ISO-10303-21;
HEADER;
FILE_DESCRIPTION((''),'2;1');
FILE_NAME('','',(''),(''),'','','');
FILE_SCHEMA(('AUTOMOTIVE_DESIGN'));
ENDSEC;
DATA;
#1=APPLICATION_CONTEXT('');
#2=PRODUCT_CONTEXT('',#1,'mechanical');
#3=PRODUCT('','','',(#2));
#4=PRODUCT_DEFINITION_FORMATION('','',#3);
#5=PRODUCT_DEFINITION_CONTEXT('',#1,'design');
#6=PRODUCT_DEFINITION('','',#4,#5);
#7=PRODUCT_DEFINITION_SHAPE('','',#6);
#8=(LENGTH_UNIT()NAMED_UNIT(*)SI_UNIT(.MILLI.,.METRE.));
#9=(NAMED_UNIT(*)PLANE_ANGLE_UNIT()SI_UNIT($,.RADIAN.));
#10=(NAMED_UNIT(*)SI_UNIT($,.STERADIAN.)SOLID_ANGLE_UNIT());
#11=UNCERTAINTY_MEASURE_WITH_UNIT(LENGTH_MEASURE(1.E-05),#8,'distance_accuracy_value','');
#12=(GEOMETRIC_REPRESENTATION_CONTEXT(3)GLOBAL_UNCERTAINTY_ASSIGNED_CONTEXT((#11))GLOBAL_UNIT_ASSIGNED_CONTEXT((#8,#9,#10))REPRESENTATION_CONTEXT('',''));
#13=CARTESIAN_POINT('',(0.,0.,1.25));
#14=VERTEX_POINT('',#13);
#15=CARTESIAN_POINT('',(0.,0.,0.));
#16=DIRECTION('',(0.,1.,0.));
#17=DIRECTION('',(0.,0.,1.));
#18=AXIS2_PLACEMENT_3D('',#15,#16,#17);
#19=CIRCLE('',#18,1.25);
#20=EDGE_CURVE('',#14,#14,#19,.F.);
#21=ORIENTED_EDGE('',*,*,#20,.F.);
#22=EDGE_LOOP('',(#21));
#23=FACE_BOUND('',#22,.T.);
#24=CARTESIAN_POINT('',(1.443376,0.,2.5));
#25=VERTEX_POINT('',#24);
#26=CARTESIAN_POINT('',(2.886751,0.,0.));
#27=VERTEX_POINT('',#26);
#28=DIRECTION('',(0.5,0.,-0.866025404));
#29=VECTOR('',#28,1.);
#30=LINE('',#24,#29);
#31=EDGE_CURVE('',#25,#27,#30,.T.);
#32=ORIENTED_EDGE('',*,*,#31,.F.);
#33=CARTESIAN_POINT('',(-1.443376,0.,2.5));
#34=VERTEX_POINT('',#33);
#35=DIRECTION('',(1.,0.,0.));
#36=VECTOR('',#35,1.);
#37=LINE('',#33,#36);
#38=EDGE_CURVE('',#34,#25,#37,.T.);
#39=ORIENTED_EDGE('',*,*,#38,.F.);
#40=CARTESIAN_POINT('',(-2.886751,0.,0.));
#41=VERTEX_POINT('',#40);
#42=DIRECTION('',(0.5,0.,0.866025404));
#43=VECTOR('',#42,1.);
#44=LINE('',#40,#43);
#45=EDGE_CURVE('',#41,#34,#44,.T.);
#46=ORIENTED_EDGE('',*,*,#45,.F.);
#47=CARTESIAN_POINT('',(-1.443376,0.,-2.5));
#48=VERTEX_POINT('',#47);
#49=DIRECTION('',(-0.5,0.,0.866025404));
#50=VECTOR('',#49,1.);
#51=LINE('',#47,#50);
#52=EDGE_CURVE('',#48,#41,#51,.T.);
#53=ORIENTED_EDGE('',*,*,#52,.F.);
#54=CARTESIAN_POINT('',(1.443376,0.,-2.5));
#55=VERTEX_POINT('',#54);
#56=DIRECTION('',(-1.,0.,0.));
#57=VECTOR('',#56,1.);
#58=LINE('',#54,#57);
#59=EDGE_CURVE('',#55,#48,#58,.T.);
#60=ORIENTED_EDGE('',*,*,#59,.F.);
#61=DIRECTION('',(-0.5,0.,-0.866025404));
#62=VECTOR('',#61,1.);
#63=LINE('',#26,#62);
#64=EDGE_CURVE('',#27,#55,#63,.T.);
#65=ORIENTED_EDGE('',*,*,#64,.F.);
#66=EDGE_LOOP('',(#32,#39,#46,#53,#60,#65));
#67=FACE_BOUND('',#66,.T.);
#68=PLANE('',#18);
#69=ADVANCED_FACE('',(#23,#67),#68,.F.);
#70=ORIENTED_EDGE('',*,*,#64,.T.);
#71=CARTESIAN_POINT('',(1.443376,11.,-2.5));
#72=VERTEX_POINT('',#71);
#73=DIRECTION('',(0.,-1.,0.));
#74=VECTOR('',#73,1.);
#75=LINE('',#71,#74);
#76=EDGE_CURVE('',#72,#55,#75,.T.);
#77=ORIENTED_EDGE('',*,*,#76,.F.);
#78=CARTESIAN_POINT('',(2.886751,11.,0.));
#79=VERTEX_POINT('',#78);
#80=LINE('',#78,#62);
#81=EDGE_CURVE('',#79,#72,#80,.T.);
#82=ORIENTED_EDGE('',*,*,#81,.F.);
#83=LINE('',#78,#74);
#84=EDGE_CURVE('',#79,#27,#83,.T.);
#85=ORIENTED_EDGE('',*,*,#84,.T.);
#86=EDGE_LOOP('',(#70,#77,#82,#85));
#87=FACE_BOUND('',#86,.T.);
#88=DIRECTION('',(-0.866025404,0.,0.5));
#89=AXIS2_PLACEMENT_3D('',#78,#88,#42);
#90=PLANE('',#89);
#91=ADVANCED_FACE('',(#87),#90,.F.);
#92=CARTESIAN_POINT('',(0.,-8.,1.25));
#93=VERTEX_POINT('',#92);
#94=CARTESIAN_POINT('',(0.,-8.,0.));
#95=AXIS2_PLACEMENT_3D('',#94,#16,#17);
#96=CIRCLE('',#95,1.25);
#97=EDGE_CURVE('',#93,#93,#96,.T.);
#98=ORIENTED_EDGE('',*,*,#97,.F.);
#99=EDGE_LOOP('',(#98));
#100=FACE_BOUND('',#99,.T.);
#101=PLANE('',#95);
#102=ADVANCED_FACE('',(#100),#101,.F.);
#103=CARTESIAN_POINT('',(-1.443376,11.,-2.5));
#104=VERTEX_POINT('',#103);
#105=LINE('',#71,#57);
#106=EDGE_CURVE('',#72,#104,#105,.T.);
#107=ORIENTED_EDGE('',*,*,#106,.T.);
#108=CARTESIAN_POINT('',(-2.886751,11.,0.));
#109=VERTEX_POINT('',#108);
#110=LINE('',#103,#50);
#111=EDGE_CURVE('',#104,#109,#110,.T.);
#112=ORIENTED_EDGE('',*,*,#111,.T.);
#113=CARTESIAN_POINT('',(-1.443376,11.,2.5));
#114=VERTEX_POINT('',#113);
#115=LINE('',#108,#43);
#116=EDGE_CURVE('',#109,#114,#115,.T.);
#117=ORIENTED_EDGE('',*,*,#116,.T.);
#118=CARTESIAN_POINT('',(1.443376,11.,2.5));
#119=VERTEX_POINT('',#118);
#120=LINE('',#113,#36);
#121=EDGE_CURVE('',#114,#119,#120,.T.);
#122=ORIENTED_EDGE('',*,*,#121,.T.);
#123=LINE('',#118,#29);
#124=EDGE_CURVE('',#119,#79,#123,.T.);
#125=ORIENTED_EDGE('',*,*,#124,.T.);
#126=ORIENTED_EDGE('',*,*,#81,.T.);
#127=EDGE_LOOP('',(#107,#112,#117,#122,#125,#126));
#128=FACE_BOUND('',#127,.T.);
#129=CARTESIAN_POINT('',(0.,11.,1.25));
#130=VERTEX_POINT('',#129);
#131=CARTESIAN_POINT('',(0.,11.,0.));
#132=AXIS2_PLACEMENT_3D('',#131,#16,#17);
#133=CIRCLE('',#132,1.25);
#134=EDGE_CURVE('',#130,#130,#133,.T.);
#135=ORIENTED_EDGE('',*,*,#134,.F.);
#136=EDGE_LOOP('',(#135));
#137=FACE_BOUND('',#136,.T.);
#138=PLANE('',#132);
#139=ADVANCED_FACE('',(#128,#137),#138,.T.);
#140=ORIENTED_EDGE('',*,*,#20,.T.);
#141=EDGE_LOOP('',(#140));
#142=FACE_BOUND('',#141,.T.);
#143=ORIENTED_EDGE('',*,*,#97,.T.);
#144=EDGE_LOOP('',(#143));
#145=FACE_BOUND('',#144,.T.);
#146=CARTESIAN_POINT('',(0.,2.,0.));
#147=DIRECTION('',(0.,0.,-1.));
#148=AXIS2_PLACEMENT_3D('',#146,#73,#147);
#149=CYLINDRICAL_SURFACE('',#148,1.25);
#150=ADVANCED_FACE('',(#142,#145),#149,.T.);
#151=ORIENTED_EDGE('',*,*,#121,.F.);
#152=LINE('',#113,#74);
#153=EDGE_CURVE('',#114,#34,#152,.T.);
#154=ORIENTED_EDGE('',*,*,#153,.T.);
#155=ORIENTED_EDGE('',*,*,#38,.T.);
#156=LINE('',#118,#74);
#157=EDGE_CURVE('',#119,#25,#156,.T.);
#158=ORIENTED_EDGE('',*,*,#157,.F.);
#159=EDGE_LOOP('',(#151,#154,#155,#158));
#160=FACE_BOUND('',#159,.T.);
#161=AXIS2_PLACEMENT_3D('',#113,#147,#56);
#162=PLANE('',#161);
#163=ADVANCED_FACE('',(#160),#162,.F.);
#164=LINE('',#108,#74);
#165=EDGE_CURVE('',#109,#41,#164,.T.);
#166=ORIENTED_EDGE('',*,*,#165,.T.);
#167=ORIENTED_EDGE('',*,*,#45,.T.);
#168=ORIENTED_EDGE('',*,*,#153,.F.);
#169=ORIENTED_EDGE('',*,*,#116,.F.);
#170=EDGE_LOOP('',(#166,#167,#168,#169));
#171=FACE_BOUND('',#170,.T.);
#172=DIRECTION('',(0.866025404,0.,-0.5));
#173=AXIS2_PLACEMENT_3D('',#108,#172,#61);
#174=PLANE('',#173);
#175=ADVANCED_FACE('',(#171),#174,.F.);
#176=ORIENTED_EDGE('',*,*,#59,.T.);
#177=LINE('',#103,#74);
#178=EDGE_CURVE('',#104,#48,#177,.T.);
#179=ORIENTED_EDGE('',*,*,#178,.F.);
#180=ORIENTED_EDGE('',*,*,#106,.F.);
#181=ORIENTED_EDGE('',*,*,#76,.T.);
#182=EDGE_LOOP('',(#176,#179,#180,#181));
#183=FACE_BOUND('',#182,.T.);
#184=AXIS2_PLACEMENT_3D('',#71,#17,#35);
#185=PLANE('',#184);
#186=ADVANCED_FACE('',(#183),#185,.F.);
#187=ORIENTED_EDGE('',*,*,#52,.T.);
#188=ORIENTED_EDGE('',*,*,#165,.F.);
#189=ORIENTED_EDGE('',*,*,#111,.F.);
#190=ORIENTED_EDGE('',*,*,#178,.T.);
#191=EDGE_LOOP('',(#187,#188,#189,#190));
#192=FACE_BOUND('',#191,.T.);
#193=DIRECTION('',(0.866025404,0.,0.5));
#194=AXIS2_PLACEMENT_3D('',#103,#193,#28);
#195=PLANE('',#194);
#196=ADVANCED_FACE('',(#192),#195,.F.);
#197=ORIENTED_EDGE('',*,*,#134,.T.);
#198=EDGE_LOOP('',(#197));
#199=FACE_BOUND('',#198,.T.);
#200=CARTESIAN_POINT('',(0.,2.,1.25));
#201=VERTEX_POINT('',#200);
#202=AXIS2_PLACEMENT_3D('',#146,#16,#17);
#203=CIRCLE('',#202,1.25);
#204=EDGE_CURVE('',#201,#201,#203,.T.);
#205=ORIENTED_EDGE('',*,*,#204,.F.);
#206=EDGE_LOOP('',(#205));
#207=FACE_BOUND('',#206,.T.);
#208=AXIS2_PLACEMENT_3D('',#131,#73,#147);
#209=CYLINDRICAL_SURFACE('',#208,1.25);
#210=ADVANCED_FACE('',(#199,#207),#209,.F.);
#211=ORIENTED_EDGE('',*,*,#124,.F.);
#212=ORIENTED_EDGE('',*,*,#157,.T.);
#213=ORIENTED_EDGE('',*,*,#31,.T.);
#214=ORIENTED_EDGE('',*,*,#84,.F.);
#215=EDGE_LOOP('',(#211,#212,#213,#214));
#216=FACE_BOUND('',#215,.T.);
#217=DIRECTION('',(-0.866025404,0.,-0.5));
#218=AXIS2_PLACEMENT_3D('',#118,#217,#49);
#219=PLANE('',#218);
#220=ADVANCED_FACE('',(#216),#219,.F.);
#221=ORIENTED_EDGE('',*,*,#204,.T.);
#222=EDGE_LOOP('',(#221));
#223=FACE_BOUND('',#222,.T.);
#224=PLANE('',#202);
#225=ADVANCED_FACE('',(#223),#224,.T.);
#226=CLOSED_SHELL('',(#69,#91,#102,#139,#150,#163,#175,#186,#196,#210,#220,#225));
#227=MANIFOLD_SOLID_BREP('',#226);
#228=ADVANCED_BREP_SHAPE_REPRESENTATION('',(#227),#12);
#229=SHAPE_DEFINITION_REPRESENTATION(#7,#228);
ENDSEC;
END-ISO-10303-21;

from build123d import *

# Parameters (mm, degrees)
SKETCH1_R                = 1.25
BOSS_EXTRUDE1_DEPTH      = 11
BOSS_EXTRUDE2_DEPTH      = 2
BOSS_EXTRUDE2_DEPTH_BACK = 8
SKETCH1_2_R              = 1.25


with BuildPart() as part:
    # Sketch1 → Boss-Extrude1 (new body)
    with BuildSketch(Plane(origin=(0, 0, 0), x_dir=(1, 0, 0), z_dir=(0, 1, 0))):
        Polygon((-2.886751346, 0), (-1.443375673, -2.5), (1.443375673, -2.5), (2.886751346, 0), (1.443375673, 2.5), (-1.443375673, 2.5), align=None)
        Circle(SKETCH1_R, mode=Mode.SUBTRACT)
    extrude(amount=BOSS_EXTRUDE1_DEPTH)

    # Sketch1<2> → Boss-Extrude2 (add, two sides: drawn at the far end of the back side and taken through both)
    with BuildSketch(Plane(origin=(0, 0, 0), x_dir=(1, 0, 0), z_dir=(0, 1, 0)).offset(-BOSS_EXTRUDE2_DEPTH_BACK)):
        Circle(SKETCH1_2_R)
    extrude(amount=BOSS_EXTRUDE2_DEPTH + BOSS_EXTRUDE2_DEPTH_BACK)


solid = part.part
